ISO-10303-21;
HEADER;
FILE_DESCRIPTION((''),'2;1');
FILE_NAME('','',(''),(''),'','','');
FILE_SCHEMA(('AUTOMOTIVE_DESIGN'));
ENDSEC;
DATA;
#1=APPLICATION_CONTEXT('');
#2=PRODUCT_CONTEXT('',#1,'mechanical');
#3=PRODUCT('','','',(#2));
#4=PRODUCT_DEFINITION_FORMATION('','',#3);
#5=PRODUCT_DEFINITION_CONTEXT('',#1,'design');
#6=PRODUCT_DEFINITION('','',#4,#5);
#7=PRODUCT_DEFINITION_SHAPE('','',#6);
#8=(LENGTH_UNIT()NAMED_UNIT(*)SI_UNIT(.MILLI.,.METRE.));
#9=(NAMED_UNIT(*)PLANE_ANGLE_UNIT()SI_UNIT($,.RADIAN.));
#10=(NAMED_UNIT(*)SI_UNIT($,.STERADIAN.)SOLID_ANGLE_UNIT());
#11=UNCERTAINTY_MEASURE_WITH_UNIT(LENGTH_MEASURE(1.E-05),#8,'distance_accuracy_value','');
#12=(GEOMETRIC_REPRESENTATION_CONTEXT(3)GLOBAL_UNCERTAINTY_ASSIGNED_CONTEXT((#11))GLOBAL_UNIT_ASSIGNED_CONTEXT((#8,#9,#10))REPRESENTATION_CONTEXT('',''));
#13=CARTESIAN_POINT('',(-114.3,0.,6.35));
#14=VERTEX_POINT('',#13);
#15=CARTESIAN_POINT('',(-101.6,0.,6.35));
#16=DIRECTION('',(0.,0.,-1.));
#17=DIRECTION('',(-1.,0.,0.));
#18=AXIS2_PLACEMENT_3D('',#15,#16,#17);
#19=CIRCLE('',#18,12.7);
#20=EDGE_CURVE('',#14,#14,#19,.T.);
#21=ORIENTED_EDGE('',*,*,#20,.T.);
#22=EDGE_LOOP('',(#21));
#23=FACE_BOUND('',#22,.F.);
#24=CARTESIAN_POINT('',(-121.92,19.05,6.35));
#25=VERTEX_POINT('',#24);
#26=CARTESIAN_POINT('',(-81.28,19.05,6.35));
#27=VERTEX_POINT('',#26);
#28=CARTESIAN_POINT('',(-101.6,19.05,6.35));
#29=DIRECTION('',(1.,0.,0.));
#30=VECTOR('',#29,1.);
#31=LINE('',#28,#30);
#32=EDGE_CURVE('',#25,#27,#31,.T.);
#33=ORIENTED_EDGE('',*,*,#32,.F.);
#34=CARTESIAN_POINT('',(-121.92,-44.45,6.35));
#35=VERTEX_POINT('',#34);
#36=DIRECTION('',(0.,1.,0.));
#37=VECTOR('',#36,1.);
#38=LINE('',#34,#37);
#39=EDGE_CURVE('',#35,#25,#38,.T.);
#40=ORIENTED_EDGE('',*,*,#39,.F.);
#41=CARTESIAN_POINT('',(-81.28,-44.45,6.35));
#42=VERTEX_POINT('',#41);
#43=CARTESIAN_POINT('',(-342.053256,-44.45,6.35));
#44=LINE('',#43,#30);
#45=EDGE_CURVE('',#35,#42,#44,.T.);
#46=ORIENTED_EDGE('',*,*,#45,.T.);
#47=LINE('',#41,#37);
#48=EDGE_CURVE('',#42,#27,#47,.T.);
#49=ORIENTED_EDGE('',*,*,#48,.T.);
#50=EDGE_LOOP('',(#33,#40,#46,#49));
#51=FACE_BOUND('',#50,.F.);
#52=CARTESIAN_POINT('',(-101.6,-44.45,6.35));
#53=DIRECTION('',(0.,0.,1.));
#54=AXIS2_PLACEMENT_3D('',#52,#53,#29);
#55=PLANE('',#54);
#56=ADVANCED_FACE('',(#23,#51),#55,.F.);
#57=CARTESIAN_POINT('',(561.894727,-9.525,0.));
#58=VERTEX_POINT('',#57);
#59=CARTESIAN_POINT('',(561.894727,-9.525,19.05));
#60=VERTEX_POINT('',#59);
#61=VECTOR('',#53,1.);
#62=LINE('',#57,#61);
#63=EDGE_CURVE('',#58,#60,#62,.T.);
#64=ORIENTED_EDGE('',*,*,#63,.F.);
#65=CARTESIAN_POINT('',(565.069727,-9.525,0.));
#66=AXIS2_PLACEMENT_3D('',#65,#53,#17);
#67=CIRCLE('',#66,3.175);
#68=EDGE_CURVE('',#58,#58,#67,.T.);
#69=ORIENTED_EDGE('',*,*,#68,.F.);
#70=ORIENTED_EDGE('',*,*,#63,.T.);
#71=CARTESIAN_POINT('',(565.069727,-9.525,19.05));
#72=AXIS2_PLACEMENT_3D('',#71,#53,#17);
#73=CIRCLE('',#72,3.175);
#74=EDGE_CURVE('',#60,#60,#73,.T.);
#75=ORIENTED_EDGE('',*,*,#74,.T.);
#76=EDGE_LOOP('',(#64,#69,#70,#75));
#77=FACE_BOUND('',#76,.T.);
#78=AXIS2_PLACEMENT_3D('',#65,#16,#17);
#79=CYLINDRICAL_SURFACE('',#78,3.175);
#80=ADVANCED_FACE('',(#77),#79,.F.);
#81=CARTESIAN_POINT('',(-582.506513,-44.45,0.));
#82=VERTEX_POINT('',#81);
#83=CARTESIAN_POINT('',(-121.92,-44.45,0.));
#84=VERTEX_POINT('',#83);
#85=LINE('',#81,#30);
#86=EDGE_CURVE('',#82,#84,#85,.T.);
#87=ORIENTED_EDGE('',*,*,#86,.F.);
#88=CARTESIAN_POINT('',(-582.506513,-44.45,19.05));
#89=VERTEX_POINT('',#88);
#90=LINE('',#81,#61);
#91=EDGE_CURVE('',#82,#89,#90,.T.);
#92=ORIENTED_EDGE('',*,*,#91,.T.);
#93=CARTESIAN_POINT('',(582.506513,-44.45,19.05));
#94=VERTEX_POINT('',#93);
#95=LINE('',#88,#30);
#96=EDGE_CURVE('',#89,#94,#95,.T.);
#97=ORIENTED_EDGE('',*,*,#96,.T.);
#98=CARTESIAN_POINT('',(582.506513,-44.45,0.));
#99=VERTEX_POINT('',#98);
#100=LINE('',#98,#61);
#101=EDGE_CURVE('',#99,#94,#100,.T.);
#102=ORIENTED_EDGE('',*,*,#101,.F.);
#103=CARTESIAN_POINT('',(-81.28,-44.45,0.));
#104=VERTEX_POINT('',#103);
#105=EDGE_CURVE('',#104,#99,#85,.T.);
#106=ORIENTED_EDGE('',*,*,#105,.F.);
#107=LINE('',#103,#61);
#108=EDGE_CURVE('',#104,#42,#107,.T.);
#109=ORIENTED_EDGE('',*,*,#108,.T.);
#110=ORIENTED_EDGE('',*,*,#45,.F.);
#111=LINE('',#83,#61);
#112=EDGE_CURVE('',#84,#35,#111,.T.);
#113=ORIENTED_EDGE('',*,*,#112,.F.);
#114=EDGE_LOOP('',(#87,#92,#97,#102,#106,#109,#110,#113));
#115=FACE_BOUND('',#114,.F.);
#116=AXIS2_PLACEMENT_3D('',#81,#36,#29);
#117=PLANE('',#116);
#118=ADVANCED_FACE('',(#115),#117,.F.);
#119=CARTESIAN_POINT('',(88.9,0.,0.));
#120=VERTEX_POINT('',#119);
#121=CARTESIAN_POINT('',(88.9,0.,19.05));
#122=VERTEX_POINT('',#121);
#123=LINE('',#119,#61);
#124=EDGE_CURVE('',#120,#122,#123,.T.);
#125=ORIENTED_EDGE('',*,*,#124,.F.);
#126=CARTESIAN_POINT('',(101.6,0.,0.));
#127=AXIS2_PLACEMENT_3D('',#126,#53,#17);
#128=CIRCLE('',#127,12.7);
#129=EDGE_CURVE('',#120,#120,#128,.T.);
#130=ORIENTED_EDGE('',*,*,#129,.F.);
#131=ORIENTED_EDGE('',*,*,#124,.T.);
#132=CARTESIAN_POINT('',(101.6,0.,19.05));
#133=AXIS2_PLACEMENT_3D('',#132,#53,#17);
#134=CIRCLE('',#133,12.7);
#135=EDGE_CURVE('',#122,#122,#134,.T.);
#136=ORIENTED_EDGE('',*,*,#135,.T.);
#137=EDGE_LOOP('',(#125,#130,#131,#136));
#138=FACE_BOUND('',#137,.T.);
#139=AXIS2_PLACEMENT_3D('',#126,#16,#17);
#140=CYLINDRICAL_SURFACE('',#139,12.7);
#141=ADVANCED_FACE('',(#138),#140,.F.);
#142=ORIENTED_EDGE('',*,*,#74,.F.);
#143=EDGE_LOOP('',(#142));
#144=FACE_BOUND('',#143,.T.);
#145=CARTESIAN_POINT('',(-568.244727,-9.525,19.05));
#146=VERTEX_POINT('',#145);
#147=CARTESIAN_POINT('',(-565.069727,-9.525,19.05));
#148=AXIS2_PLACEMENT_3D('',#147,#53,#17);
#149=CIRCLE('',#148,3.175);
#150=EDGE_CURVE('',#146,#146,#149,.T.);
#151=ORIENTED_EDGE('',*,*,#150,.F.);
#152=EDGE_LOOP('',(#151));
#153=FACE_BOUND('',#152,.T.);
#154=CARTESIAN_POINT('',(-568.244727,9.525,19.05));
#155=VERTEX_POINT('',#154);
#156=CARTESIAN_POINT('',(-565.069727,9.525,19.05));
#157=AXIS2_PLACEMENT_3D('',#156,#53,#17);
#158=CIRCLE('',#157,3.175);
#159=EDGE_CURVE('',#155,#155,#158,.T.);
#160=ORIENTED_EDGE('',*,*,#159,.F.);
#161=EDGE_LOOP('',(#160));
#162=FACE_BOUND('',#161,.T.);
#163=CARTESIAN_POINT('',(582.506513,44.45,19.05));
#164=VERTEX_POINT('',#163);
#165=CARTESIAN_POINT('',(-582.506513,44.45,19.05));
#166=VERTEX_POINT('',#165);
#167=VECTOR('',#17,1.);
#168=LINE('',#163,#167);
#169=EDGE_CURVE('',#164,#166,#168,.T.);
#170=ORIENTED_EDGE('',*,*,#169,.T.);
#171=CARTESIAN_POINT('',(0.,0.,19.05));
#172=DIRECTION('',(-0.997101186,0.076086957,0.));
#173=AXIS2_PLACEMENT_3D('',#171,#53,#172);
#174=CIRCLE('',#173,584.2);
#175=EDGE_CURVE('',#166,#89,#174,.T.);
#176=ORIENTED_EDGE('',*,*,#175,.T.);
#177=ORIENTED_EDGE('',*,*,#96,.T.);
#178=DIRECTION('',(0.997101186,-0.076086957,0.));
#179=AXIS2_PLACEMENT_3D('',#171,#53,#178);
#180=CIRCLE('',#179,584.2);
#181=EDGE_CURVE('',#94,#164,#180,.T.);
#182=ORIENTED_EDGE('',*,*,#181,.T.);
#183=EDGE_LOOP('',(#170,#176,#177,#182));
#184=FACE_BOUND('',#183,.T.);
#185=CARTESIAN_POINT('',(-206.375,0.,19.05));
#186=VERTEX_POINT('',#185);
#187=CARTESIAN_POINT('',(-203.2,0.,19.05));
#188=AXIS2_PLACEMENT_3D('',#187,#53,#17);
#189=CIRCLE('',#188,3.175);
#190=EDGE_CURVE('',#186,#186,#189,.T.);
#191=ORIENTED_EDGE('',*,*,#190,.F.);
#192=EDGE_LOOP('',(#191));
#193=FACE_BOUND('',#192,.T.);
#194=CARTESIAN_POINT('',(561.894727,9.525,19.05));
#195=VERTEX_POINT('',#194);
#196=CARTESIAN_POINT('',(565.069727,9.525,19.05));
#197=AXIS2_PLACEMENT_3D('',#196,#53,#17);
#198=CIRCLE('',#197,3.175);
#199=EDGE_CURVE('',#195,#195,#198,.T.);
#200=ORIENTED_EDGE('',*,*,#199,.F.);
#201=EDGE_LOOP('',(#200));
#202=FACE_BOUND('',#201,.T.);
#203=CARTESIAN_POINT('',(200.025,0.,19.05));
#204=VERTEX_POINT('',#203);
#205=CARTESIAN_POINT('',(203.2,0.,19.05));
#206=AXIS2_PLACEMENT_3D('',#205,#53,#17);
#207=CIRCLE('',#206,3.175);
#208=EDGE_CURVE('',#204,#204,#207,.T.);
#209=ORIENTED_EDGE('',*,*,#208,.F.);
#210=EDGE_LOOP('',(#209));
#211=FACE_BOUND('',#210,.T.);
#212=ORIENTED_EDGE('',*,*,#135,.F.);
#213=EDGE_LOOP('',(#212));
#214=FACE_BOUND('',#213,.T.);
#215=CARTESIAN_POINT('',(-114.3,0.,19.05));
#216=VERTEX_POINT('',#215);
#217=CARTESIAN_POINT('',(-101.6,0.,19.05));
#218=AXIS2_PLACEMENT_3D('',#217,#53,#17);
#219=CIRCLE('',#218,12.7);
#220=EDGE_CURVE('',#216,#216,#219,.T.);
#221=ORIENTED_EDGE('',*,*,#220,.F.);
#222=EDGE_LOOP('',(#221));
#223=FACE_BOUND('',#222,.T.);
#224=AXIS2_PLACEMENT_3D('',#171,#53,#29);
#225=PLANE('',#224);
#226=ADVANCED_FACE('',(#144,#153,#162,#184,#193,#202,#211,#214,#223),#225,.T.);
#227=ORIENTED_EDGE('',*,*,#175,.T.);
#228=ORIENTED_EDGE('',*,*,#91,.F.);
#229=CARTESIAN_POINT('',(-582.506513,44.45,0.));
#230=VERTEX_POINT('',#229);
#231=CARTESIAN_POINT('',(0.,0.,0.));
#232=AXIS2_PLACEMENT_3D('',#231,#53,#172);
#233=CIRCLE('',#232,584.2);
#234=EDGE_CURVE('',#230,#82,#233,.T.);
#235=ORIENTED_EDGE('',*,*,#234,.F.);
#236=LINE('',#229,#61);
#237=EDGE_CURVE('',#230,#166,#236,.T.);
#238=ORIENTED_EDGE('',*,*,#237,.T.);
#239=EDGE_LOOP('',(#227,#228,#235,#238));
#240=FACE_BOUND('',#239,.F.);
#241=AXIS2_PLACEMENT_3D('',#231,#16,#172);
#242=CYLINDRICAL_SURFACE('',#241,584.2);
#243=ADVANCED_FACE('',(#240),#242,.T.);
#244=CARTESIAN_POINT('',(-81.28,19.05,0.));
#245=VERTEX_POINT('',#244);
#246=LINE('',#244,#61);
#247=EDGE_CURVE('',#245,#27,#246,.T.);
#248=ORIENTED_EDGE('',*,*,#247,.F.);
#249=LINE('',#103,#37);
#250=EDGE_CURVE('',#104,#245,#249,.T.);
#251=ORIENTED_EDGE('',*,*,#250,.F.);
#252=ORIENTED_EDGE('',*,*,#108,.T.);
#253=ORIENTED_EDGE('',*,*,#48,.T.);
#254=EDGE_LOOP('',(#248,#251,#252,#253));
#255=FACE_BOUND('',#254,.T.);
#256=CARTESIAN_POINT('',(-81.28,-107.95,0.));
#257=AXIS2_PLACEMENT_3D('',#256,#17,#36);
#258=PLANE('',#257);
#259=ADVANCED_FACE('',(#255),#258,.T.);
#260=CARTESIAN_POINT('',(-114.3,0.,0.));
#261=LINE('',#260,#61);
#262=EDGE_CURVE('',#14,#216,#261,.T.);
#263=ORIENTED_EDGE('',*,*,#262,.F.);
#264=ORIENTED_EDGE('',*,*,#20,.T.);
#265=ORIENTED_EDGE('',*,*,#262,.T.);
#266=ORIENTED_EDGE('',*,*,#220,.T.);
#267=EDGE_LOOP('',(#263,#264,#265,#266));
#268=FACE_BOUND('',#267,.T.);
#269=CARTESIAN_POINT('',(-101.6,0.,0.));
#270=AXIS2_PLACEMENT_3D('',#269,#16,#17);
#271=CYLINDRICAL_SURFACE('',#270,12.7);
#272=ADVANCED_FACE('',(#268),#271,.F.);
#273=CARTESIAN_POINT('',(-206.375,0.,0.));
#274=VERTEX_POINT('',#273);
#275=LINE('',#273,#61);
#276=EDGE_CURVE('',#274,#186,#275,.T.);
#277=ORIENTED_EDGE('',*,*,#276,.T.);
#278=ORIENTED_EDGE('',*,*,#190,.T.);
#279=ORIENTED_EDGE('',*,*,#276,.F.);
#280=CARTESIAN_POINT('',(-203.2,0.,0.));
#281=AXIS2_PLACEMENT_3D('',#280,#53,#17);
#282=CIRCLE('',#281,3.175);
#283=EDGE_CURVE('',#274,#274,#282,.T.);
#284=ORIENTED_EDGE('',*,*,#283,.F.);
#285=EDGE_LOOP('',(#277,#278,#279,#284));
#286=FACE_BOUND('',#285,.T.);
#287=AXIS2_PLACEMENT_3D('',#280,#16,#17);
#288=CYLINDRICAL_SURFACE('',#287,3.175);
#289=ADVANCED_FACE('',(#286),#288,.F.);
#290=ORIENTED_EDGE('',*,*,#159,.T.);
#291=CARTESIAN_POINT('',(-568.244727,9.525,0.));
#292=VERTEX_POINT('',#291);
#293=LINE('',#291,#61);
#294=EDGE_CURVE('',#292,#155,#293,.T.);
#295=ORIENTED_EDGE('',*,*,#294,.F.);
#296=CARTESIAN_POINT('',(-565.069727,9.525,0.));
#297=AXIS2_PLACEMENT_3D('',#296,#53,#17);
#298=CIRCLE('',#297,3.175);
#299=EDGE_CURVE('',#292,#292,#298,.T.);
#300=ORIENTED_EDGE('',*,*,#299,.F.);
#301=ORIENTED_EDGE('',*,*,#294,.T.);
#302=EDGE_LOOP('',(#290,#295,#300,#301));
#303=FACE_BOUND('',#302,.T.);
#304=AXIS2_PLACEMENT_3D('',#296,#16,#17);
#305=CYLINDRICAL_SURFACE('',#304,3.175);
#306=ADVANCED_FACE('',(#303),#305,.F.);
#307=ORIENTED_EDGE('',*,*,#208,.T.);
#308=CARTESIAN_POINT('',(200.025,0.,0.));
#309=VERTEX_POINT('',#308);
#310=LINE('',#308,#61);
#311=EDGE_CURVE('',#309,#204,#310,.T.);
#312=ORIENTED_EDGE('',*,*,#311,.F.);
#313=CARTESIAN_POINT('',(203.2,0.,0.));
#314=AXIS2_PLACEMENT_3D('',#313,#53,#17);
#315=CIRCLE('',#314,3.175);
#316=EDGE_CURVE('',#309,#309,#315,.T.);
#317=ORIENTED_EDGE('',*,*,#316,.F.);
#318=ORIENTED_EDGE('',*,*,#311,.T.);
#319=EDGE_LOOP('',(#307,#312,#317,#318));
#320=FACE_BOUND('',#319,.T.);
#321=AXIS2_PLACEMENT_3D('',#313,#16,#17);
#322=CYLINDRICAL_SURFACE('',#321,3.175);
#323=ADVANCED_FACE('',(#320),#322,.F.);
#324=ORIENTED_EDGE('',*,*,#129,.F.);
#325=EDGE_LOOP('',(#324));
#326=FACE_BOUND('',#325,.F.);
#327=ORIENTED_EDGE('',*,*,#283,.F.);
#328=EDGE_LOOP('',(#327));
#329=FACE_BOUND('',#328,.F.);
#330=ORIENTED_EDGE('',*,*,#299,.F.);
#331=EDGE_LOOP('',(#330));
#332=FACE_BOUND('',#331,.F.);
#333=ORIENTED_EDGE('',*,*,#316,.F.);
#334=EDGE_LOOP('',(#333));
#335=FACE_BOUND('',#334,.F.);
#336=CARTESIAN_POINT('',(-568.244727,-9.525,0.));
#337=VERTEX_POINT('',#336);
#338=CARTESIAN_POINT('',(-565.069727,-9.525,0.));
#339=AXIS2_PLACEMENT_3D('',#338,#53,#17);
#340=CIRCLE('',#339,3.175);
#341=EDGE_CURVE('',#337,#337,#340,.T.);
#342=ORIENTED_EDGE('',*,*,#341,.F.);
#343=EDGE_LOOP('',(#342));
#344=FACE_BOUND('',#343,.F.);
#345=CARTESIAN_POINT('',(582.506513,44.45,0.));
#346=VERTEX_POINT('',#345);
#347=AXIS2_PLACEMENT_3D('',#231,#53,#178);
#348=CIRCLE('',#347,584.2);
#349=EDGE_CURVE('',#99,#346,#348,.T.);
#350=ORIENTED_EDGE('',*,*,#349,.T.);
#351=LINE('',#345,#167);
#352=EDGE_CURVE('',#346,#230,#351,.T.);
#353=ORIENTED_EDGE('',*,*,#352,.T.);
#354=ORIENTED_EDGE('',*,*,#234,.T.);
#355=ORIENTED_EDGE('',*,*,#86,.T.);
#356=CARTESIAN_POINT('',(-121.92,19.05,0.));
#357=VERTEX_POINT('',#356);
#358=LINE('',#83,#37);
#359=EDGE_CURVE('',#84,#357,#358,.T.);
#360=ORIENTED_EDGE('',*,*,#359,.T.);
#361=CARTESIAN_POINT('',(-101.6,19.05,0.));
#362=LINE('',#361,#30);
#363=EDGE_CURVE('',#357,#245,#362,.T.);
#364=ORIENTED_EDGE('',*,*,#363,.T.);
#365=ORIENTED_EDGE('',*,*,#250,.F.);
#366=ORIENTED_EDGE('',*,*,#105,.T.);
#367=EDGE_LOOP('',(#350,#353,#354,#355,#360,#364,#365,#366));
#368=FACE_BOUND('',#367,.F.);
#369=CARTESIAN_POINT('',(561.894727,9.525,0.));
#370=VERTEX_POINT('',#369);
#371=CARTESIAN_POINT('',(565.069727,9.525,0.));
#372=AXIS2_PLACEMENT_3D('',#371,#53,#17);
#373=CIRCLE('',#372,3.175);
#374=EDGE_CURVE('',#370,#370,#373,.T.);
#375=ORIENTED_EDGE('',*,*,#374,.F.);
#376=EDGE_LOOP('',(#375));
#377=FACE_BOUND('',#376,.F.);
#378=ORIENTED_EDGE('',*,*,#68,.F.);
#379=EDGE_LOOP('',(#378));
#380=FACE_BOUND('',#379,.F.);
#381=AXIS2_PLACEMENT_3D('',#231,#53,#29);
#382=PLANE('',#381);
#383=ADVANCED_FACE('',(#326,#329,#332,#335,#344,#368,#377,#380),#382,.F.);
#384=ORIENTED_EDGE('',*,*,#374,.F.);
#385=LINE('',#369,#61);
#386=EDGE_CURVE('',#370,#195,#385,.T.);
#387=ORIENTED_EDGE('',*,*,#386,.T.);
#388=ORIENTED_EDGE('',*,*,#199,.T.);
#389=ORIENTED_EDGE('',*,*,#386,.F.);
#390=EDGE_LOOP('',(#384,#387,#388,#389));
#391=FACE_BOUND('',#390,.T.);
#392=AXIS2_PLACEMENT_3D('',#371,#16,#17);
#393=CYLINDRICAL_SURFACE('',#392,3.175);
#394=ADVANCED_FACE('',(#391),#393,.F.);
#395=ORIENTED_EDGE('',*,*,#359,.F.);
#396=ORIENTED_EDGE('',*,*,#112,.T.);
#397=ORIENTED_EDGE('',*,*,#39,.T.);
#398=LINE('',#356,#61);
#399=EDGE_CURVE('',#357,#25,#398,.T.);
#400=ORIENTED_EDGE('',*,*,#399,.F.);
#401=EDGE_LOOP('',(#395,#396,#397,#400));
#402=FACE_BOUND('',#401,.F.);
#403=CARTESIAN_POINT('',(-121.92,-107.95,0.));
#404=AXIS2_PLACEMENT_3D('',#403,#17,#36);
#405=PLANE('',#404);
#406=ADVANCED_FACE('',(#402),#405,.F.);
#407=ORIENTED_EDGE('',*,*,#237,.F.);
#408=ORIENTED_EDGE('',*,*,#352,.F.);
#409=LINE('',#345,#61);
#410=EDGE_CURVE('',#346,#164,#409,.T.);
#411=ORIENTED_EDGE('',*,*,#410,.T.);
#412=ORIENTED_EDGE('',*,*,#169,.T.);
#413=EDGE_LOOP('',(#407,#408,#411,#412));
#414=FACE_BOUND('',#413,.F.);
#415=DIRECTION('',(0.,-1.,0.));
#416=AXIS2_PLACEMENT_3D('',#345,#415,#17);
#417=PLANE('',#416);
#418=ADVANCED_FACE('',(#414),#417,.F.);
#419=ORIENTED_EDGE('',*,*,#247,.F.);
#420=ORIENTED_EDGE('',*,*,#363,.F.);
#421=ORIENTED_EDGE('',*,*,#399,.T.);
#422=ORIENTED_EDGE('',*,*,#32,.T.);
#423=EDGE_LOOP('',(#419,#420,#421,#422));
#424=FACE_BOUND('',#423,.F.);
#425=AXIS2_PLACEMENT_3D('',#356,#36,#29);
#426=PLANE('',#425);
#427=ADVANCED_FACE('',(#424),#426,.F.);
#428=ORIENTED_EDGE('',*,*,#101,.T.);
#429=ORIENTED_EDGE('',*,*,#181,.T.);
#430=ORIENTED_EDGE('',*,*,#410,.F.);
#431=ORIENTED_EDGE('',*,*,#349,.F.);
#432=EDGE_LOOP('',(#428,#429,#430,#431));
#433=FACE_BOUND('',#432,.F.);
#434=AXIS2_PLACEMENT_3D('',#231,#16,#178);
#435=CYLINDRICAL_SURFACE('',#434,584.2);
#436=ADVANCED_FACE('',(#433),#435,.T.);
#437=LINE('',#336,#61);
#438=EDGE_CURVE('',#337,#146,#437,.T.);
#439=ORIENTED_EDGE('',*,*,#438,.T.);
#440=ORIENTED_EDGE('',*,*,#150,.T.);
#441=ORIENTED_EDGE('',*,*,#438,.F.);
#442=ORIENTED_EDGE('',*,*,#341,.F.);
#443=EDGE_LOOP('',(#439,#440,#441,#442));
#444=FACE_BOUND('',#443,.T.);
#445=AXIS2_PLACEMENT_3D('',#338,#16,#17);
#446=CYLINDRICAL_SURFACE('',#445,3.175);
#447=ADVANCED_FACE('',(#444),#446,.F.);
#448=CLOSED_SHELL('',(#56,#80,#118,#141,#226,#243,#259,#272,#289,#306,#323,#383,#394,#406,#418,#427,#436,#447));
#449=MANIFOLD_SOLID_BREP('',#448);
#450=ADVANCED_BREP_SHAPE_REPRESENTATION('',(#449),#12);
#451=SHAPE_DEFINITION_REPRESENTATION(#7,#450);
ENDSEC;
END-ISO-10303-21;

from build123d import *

# Parameters (mm, degrees)
SKETCH1_R           = 12.7
SKETCH1_R_2         = 3.175
BOSS_EXTRUDE2_DEPTH = 19.05
SKETCH2_W           = 40.64
SKETCH2_H           = 127
CUT_EXTRUDE1_DEPTH  = 6.35


with BuildPart() as part:
    # Sketch1 → Boss-Extrude2 (new body)
    with BuildSketch(Plane.XY):
        with BuildLine():
            Line((582.506512839, 44.45), (-582.506512839, 44.45))
            ThreePointArc((-582.506512839, 44.45), (-584.2, 0), (-582.506512839, -44.45))
            Line((-582.506512839, -44.45), (582.506512839, -44.45))
            ThreePointArc((582.506512839, -44.45), (584.2, 0), (582.506512839, 44.45))
        make_face()
        with Locations(Location((101.6, 0, 0), (0, 0, 180))):
            Circle(SKETCH1_R, mode=Mode.SUBTRACT)
        with Locations(Location((-565.069727445, 9.525, 0), (0, 0, 180))):
            Circle(SKETCH1_R_2, mode=Mode.SUBTRACT)
        with Locations(Location((-565.069727445, -9.525, 0), (0, 0, 180))):
            Circle(SKETCH1_R_2, mode=Mode.SUBTRACT)
        with Locations(Location((565.069727445, -9.525, 0), (0, 0, 180))):
            Circle(SKETCH1_R_2, mode=Mode.SUBTRACT)
        with Locations(Location((565.069727445, 9.525, 0), (0, 0, 180))):
            Circle(SKETCH1_R_2, mode=Mode.SUBTRACT)
        with Locations(Location((-101.6, 0, 0), (0, 0, 180))):
            Circle(SKETCH1_R, mode=Mode.SUBTRACT)
        with Locations(Location((-203.2, 0, 0), (0, 0, 180))):
            Circle(SKETCH1_R_2, mode=Mode.SUBTRACT)
        with Locations(Location((203.2, 0, 0), (0, 0, 180))):
            Circle(SKETCH1_R_2, mode=Mode.SUBTRACT)
    extrude(amount=BOSS_EXTRUDE2_DEPTH)

    # Sketch2 → Cut-Extrude1 (cut)
    with BuildSketch(Plane.XY):
        with Locations((-101.6, -44.45)):
            Rectangle(SKETCH2_W, SKETCH2_H)
    extrude(amount=CUT_EXTRUDE1_DEPTH, mode=Mode.SUBTRACT)


solid = part.part
